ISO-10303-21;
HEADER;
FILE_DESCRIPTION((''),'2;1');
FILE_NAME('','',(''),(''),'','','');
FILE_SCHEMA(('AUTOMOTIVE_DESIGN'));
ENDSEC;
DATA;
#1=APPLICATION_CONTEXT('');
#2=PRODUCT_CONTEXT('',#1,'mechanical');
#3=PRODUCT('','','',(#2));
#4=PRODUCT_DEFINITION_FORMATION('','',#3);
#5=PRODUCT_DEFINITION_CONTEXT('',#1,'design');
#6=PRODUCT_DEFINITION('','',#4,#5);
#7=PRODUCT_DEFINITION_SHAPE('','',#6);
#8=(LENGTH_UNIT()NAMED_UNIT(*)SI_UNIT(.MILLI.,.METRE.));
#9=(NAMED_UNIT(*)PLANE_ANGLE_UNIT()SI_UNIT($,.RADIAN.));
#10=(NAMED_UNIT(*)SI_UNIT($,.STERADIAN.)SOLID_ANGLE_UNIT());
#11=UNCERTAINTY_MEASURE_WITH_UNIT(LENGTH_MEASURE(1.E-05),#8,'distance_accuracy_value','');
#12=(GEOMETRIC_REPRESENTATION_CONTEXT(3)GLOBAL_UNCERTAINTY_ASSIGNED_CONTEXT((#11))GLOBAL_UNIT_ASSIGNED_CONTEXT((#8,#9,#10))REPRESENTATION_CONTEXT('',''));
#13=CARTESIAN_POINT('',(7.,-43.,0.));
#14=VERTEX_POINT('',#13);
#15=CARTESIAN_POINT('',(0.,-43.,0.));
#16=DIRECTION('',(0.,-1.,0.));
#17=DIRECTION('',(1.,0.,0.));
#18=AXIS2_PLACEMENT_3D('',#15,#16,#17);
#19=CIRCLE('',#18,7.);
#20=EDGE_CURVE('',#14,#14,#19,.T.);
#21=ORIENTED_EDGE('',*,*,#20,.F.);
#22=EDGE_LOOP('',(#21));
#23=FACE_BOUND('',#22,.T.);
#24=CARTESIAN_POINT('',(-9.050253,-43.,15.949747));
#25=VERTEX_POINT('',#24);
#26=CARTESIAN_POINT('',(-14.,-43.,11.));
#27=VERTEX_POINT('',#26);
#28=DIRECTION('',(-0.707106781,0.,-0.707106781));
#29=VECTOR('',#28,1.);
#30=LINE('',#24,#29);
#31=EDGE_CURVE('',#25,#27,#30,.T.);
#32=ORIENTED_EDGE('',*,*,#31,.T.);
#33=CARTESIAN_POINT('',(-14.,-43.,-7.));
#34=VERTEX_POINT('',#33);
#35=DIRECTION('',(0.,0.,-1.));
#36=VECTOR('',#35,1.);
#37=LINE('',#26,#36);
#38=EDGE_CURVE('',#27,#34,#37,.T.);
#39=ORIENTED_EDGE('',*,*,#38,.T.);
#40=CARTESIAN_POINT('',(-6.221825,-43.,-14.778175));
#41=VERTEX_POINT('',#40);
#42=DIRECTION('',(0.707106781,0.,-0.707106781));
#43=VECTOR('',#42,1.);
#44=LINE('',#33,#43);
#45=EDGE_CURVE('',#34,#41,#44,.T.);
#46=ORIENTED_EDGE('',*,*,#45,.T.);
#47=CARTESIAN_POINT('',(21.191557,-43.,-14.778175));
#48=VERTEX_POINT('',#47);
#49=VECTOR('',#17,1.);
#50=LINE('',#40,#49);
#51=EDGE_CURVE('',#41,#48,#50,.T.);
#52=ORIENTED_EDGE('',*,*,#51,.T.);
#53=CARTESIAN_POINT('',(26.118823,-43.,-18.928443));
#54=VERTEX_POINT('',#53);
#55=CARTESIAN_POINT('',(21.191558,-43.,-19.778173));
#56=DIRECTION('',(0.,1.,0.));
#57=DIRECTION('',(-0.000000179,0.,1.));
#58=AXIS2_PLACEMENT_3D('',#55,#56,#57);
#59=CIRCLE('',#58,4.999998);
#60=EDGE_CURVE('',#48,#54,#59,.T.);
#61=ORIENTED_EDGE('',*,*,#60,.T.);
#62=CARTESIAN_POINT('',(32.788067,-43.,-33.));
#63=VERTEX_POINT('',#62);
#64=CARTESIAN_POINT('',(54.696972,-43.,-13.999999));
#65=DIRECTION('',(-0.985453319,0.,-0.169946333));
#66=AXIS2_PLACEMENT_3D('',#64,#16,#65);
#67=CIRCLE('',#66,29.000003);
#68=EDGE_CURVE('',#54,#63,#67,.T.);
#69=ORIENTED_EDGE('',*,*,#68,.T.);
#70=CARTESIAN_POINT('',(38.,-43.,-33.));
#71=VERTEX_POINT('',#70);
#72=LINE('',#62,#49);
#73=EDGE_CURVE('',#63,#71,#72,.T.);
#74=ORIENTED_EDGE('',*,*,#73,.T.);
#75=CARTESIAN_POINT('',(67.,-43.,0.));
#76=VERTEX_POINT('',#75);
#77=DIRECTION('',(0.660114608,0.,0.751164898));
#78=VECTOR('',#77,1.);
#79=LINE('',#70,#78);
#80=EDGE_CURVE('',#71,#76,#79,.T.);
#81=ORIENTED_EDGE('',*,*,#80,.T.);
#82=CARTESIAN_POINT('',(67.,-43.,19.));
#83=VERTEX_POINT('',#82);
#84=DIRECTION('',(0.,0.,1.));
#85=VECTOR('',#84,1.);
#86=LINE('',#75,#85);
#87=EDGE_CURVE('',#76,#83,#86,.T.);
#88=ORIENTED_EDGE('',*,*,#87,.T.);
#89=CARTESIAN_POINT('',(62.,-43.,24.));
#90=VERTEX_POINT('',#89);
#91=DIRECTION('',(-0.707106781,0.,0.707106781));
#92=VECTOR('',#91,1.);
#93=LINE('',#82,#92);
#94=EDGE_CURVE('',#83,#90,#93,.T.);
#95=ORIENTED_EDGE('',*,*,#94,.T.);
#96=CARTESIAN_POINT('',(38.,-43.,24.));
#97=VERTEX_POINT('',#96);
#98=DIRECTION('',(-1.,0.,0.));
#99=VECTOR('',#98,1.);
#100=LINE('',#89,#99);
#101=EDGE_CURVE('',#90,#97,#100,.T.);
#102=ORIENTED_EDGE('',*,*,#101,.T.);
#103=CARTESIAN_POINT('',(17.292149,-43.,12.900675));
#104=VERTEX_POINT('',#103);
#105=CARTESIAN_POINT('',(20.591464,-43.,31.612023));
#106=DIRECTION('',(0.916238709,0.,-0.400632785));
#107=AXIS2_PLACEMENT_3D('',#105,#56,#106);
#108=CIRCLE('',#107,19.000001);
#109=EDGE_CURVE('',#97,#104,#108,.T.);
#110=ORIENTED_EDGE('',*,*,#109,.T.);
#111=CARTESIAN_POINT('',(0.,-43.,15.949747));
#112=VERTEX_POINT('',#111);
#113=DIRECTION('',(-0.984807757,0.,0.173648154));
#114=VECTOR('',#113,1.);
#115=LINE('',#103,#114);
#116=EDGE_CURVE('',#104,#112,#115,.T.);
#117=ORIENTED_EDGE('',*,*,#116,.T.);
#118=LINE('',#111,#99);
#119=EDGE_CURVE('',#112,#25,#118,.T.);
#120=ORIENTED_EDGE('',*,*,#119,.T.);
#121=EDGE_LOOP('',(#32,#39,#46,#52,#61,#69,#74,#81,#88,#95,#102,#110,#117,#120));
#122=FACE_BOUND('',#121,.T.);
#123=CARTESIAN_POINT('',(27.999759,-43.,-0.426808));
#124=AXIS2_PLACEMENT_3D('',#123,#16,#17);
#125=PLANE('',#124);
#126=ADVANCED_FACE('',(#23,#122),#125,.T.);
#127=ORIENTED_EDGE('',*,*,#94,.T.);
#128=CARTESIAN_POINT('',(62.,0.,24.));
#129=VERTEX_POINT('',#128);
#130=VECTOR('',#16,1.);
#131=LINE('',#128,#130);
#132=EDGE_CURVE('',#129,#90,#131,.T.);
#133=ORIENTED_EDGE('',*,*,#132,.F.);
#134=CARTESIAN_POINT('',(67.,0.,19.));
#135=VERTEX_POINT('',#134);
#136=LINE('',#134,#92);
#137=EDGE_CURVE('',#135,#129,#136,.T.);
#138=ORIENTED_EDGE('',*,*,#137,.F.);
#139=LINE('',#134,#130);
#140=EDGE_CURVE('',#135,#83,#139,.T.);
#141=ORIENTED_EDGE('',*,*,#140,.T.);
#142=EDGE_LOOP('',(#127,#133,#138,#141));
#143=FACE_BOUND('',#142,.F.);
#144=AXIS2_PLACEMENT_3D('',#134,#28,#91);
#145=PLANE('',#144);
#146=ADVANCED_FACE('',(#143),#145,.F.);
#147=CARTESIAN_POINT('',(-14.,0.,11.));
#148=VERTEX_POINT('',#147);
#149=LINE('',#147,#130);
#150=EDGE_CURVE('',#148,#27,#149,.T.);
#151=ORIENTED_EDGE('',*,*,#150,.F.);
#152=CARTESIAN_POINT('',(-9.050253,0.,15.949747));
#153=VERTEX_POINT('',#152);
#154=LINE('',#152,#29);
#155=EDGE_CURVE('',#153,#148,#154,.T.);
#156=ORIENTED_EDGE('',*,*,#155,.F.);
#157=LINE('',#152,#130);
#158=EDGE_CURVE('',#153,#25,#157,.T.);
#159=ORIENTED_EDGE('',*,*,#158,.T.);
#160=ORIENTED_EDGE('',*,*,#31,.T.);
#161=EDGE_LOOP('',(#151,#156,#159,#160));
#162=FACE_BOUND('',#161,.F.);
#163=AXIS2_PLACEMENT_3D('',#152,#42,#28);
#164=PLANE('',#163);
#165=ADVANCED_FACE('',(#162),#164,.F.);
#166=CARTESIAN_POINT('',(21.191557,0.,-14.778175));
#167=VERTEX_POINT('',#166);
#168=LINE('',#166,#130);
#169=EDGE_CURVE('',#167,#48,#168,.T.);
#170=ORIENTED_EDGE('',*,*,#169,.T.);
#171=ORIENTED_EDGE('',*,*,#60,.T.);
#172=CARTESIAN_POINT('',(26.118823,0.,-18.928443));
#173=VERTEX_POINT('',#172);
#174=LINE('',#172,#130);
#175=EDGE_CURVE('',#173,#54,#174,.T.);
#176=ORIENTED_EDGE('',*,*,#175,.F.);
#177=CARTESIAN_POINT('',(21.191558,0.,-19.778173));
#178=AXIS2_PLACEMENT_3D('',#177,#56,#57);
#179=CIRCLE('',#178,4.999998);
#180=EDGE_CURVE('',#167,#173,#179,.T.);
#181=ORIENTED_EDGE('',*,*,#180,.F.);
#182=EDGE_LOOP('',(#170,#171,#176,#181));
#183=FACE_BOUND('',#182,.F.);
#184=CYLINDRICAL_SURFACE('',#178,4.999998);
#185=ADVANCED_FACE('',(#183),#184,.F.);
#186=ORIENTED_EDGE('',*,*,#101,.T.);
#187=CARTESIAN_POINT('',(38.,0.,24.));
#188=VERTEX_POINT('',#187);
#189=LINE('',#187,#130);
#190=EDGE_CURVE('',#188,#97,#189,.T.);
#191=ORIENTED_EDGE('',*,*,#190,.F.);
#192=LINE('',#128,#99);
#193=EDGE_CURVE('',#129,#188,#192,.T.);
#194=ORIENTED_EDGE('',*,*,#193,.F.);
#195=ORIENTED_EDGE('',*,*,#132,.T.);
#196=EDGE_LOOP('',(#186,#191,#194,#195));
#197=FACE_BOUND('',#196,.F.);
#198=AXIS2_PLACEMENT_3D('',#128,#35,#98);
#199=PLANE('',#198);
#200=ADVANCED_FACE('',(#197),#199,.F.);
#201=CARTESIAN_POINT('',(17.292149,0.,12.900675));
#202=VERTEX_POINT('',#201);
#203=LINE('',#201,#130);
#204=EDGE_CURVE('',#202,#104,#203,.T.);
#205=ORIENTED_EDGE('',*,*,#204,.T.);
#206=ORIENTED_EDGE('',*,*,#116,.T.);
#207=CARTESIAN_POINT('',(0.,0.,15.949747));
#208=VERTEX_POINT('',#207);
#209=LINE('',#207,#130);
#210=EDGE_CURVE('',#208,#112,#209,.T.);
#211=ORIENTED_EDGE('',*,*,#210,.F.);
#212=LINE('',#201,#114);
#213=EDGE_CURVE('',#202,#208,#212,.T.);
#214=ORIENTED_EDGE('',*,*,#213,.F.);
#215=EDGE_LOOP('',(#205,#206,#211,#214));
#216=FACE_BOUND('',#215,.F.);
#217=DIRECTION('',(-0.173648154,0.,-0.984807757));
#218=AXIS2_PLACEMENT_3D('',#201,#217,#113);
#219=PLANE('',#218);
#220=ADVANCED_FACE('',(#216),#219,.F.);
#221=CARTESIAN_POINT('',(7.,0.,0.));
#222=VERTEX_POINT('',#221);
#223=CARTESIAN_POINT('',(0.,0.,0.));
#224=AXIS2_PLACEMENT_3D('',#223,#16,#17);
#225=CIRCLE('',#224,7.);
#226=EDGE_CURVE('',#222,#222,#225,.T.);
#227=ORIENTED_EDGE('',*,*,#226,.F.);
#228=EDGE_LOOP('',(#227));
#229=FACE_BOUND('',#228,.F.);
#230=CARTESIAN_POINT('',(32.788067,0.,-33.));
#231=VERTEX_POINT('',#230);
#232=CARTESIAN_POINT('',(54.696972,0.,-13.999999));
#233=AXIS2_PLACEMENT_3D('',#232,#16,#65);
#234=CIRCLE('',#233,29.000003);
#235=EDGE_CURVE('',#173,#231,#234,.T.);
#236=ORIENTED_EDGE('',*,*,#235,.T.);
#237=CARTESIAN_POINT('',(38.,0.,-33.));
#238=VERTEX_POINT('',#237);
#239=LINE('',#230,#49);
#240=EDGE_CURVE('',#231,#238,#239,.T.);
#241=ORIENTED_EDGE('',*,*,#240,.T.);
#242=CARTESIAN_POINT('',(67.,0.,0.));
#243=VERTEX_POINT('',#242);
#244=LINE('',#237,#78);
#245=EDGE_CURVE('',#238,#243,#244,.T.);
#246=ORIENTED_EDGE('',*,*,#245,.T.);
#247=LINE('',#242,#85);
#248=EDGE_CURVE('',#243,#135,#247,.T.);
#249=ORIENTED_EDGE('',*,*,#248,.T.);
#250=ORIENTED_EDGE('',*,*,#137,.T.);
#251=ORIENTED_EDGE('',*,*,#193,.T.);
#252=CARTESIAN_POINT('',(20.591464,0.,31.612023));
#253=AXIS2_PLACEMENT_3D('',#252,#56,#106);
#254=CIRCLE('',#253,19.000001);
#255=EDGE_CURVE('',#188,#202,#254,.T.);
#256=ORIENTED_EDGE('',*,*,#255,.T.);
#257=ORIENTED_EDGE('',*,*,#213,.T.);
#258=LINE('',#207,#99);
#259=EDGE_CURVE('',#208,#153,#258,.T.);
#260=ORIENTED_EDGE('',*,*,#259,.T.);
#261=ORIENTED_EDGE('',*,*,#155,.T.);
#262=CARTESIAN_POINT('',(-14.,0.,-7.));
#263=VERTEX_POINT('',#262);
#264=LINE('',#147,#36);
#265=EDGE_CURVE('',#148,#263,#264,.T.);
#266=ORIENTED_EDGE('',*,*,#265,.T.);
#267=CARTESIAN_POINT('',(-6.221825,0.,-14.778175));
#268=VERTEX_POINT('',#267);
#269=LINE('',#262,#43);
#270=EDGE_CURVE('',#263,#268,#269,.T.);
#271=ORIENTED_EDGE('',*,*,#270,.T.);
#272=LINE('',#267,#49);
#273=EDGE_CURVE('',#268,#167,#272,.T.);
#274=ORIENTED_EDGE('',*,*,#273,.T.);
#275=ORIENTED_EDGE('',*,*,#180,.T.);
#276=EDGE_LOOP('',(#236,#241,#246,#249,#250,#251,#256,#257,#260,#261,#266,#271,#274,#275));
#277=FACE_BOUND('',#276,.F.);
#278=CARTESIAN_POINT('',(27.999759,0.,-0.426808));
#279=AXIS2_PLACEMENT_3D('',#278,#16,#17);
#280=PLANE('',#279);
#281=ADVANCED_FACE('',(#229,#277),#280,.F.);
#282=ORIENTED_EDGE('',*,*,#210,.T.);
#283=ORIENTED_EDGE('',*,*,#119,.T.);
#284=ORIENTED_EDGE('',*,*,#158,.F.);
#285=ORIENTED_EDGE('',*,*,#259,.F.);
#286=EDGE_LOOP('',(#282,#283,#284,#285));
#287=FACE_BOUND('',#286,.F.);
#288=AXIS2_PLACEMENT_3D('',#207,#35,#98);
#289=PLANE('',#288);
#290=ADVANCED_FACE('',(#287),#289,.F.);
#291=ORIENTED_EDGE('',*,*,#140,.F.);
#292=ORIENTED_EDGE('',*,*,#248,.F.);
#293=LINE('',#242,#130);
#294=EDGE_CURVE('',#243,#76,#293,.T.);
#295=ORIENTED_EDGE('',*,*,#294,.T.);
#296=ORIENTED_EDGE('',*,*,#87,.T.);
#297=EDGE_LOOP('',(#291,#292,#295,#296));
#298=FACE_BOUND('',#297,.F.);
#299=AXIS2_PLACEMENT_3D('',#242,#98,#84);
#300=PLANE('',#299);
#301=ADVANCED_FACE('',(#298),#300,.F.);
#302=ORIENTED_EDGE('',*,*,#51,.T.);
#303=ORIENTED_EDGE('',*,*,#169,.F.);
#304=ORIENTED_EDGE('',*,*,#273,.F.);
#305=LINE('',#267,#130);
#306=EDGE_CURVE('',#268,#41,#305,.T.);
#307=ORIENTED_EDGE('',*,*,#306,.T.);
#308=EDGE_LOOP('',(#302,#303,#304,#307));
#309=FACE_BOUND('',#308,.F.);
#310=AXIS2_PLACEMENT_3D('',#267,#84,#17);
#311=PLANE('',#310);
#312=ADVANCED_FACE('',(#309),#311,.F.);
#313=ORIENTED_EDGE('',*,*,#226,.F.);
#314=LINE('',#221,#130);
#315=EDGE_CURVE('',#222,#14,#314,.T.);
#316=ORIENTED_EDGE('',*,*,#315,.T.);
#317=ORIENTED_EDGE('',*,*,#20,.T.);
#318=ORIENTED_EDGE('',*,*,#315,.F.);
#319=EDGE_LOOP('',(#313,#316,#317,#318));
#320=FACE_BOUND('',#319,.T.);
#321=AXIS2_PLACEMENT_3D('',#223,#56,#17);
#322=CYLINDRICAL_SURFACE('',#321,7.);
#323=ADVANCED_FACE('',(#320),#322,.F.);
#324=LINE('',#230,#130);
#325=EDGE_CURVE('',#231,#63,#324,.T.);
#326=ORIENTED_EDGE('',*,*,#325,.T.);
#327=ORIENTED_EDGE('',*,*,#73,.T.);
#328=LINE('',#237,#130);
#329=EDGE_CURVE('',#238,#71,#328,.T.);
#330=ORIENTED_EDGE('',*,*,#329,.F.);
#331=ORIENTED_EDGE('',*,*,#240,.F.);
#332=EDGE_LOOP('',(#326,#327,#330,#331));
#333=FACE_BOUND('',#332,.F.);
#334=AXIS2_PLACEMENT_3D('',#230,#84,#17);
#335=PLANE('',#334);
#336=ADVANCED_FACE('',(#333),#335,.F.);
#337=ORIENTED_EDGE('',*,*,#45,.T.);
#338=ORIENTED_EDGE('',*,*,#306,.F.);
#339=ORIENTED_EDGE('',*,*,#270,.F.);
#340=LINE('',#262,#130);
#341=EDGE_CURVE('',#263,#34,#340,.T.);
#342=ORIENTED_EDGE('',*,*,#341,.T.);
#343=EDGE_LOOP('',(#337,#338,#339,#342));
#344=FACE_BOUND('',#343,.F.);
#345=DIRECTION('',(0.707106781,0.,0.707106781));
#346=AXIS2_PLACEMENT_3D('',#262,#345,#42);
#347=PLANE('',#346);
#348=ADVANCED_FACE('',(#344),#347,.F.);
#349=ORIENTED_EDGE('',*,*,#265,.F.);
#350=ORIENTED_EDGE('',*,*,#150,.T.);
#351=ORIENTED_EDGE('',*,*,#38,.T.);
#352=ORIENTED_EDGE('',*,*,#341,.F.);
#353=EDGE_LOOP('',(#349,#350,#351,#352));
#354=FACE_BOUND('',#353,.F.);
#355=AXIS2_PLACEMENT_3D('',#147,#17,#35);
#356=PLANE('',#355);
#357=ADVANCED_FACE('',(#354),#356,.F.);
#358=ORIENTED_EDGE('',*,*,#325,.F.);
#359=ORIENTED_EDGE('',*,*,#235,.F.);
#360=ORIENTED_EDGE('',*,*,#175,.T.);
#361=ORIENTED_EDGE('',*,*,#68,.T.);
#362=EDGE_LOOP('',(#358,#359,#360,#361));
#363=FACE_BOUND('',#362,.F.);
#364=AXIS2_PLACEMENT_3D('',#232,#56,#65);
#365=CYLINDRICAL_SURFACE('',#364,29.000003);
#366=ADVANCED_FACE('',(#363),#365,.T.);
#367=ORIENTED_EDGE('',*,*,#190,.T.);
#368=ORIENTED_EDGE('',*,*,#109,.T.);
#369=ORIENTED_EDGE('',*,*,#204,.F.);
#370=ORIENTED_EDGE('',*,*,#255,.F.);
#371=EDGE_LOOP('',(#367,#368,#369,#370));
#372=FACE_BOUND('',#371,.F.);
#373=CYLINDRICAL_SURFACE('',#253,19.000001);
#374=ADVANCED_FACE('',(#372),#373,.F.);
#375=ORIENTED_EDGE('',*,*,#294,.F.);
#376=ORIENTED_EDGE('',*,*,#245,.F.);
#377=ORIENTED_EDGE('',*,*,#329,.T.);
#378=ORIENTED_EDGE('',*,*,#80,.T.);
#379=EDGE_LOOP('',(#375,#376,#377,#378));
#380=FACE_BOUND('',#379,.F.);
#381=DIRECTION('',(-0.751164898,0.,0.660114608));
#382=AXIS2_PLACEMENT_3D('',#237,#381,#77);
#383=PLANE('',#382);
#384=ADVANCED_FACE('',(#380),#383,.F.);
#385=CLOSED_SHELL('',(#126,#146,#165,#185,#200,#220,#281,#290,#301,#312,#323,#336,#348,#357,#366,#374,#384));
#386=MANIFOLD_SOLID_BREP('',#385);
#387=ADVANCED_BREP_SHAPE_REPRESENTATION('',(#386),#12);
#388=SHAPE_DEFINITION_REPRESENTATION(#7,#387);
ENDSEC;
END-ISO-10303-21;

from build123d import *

# Parameters (mm, degrees)
F0_R     = 7
F1_DEPTH = 43


with BuildPart() as f1:
    # F0 (on Front) → F1 (new body)
    with BuildSketch(Plane.XZ):
        with BuildLine():
            Line((-14, 11), (-14, 0))
            Line((-14, 0), (-14, -7))
            Line((-14, -7), (-6.221825, -14.778175))
            Line((-6.221825, -14.778175), (21.191557, -14.778175))
            ThreePointArc((21.191557, -14.778175), (24.412686, -15.953998), (26.118823, -18.928443))
            ThreePointArc((26.118823, -18.928443), (28.491289, -26.420238), (32.788067, -33))
            Line((32.788067, -33), (38, -33))
            Line((38, -33), (67, 0))
            Line((67, 0), (67, 19))
            Line((67, 19), (62, 24))
            Line((62, 24), (38, 24))
            ThreePointArc((38, 24), (29.567336, 14.865867), (17.292149, 12.900675))
            Line((17.292149, 12.900675), (0, 15.949747))
            Line((0, 15.949747), (-9.050253, 15.949747))
            Line((-9.050253, 15.949747), (-14, 11))
        make_face()
        Circle(F0_R, mode=Mode.SUBTRACT)
    extrude(amount=F1_DEPTH)


solid = f1.part
